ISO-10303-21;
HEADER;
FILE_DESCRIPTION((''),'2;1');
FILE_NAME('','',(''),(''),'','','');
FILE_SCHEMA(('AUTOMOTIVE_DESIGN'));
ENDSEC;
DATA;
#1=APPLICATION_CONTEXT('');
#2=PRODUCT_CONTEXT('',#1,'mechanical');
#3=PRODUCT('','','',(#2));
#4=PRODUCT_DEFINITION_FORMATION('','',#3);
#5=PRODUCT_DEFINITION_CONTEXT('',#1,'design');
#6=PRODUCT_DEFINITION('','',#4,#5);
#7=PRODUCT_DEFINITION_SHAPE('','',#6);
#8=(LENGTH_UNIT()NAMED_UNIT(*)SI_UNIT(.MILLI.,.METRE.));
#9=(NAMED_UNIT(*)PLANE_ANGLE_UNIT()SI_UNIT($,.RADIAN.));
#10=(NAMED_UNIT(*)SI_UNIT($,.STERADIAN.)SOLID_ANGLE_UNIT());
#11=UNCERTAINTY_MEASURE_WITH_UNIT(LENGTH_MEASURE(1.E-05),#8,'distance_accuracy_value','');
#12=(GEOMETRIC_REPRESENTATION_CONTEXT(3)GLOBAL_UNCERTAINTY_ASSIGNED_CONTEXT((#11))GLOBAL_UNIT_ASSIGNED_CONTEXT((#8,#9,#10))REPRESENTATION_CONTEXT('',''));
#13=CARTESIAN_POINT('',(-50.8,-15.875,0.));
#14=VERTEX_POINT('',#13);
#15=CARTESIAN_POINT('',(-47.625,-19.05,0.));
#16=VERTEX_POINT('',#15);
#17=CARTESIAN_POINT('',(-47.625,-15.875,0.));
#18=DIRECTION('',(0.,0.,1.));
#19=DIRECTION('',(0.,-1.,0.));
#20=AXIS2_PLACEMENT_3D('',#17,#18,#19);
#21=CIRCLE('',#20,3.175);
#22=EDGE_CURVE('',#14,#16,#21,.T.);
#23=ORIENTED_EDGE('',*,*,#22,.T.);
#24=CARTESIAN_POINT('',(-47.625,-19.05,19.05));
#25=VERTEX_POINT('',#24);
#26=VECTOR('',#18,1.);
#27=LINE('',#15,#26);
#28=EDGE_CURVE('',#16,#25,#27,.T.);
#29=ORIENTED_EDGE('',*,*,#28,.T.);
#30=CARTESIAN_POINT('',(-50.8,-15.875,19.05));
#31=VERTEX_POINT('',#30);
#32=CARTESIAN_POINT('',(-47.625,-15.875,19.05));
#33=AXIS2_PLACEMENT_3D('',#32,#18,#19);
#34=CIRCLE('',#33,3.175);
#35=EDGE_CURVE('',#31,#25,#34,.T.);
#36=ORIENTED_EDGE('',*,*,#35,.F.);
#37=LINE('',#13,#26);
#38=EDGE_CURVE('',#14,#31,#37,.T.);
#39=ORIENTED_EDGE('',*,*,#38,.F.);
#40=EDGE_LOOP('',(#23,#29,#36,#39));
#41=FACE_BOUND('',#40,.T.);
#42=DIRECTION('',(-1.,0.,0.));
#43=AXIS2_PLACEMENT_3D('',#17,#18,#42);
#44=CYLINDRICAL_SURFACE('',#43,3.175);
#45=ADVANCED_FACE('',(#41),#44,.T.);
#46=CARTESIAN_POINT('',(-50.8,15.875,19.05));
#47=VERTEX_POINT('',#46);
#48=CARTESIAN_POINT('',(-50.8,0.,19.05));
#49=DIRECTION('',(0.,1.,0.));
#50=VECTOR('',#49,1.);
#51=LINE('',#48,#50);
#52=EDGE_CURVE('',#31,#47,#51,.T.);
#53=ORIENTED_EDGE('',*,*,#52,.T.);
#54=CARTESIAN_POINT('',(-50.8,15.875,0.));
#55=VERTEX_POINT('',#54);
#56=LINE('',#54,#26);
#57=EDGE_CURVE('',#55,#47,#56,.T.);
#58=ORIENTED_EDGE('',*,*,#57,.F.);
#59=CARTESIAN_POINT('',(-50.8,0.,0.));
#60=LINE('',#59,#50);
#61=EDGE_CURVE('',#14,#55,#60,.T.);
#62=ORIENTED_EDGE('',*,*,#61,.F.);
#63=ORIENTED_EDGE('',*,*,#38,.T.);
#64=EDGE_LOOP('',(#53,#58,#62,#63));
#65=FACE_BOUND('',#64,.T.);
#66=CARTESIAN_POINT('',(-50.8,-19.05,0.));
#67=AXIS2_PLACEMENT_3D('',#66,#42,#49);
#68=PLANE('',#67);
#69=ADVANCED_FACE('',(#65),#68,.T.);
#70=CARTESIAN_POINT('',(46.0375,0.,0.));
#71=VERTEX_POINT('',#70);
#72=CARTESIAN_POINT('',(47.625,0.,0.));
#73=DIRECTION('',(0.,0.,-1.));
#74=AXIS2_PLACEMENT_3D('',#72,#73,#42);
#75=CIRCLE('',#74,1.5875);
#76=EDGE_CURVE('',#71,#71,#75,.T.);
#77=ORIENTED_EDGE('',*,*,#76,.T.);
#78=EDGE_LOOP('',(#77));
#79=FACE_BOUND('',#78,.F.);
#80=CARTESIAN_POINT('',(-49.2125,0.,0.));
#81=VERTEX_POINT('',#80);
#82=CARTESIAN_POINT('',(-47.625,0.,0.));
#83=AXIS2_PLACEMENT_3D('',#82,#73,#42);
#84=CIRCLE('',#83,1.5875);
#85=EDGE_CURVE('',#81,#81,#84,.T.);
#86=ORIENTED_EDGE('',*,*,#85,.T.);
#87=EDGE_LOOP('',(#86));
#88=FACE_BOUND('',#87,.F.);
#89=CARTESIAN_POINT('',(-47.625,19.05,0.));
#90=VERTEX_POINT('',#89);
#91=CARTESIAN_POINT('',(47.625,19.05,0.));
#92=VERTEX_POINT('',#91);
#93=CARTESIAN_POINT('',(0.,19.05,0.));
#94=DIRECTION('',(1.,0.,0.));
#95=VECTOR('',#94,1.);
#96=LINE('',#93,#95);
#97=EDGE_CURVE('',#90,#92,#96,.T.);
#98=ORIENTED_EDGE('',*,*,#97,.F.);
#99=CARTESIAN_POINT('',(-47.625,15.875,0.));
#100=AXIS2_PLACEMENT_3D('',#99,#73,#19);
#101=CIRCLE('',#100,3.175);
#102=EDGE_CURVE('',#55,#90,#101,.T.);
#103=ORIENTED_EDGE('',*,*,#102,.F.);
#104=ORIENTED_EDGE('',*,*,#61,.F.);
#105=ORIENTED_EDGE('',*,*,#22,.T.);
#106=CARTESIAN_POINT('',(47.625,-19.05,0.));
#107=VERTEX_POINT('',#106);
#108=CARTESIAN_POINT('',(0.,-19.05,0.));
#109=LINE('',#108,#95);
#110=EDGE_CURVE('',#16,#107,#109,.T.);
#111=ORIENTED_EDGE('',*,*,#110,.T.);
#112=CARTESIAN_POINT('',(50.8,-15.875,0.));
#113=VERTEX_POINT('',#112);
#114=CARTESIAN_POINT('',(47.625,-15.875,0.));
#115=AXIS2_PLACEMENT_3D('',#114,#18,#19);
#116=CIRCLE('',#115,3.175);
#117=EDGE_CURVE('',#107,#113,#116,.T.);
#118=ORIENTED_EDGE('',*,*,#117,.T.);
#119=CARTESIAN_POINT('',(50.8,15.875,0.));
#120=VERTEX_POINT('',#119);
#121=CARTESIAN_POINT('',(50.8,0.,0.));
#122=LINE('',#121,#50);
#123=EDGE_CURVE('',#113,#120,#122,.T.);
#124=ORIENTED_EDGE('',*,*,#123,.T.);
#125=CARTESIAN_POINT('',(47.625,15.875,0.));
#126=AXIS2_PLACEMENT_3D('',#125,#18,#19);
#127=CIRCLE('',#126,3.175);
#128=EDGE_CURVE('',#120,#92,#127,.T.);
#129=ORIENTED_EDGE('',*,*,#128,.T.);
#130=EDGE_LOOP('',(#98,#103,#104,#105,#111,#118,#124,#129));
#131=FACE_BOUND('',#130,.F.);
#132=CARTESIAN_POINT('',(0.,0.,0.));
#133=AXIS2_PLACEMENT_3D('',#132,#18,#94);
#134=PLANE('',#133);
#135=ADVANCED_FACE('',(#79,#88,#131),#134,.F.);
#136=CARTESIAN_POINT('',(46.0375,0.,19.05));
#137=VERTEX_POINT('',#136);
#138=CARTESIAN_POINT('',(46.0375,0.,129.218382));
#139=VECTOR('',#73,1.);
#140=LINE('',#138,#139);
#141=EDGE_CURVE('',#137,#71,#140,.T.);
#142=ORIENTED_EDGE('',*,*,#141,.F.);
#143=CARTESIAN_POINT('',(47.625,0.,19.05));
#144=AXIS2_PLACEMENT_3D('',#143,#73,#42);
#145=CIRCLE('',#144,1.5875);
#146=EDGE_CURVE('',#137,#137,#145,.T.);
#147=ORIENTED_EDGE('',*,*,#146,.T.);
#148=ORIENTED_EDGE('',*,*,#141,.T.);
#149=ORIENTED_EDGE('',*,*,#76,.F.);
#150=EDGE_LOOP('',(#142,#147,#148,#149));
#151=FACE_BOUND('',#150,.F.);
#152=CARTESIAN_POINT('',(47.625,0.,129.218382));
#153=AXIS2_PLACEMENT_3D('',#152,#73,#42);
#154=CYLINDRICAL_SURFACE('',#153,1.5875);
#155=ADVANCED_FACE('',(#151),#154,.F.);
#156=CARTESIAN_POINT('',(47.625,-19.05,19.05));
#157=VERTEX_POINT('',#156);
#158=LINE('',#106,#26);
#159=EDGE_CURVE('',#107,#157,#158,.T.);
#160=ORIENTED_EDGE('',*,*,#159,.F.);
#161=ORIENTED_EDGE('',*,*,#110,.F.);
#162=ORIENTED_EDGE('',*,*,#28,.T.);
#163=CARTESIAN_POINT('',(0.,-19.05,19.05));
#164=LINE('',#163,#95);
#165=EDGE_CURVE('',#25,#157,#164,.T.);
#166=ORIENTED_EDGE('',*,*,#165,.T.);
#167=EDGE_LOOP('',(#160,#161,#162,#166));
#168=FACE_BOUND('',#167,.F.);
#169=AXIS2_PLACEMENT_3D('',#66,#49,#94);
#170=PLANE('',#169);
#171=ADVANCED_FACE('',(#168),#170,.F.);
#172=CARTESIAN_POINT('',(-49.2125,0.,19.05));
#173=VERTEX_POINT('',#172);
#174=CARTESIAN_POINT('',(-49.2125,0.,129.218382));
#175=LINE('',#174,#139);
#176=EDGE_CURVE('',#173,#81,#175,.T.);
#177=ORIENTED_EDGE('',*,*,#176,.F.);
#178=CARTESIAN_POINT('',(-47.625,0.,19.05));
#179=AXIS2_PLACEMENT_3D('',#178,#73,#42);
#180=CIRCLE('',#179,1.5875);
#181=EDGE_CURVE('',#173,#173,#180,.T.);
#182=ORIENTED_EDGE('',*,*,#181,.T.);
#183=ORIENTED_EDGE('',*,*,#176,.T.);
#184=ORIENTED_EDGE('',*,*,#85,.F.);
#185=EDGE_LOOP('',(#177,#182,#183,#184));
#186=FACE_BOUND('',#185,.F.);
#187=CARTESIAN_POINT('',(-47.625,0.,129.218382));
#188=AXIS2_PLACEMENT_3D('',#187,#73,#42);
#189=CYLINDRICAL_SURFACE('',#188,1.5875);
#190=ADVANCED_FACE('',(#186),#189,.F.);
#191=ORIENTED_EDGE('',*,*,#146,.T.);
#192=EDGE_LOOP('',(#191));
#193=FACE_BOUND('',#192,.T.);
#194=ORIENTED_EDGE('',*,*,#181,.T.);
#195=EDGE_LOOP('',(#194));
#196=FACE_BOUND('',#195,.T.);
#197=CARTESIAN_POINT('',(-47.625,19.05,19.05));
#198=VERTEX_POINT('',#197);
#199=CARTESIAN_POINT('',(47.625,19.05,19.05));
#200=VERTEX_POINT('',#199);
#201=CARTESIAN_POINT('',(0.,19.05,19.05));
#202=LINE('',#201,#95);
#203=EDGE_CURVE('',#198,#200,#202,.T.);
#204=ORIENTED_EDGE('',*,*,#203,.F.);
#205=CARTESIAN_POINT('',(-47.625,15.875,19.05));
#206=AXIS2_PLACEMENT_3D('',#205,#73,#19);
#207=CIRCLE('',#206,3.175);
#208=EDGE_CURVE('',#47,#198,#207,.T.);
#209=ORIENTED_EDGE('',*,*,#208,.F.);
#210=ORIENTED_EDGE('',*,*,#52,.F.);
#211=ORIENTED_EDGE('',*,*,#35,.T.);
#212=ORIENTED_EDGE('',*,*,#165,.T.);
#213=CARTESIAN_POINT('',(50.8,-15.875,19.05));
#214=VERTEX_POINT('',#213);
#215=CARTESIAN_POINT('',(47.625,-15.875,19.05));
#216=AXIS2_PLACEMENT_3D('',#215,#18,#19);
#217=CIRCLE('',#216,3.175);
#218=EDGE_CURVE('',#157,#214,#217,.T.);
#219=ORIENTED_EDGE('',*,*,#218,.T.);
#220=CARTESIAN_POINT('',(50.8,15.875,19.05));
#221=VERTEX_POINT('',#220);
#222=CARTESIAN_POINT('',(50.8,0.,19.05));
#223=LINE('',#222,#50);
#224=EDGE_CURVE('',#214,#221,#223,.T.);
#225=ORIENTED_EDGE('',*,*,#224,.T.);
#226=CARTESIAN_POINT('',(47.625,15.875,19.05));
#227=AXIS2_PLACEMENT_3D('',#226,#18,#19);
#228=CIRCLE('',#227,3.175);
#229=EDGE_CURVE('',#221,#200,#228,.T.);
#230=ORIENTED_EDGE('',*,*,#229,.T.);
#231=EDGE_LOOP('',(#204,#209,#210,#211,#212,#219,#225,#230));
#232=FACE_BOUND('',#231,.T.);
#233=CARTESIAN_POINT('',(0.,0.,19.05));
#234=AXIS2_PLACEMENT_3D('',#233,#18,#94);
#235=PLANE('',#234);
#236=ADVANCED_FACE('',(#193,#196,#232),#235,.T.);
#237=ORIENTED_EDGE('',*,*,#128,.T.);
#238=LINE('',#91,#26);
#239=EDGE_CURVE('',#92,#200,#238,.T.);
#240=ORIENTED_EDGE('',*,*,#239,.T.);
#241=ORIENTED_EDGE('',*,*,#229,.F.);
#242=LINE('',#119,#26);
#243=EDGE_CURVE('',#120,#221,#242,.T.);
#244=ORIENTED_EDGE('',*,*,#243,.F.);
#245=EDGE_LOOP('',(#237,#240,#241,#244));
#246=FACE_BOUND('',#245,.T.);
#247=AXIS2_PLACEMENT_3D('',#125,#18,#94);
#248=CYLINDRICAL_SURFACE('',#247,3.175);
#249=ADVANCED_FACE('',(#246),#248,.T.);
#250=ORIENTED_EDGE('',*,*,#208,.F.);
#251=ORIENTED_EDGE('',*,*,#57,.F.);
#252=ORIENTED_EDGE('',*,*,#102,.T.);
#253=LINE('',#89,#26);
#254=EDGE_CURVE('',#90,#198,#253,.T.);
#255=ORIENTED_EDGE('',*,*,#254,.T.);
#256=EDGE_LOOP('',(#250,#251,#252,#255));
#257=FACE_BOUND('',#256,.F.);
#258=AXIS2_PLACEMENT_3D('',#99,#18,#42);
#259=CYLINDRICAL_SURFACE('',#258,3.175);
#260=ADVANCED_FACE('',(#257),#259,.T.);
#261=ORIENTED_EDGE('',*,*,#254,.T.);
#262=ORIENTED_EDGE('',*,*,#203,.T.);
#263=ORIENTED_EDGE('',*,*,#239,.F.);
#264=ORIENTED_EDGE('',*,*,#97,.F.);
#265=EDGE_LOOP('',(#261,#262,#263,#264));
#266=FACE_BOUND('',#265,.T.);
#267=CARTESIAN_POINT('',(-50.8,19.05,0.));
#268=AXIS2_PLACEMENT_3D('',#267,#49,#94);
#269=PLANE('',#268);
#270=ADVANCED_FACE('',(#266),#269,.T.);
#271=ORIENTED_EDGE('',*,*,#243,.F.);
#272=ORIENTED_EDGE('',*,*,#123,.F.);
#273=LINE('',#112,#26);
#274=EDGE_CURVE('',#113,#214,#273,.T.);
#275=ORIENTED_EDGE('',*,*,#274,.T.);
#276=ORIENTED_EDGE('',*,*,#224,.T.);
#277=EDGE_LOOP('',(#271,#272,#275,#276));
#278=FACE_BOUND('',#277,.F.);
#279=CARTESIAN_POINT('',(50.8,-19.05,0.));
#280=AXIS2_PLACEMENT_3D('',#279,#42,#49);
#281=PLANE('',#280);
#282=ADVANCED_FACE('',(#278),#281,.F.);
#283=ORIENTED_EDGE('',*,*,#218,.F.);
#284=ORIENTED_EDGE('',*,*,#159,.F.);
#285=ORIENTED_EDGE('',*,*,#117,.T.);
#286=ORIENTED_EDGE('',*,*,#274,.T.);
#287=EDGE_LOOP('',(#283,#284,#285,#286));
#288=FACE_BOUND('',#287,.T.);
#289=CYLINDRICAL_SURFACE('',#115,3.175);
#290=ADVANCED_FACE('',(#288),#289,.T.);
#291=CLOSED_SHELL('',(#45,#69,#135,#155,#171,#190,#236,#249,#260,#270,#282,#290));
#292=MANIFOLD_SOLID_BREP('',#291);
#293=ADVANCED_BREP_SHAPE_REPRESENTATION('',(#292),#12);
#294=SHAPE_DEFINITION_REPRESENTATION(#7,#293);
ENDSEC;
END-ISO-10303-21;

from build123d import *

# Parameters (mm, degrees)
F0_W     = 101.6
F0_H     = 38.1
F1_DEPTH = 19.05
F2_R     = 3.175
F4_D     = 3.175


with BuildPart() as f1:
    # F0 (on Top) → F1 (new body)
    with BuildSketch(Plane.XY):
        Rectangle(F0_W, F0_H)
    extrude(amount=F1_DEPTH)

    # F2
    f2_edges = [f1.edges().sort_by_distance(p)[0] for p in [
        (-50.8, 19.05, 9.525),
        (-50.8, -19.05, 9.525),
        (50.8, 19.05, 9.525),
        (50.8, -19.05, 9.525),
    ]]
    fillet(f2_edges, radius=F2_R)

    # F4 (through all)
    with Locations(Plane.XY.offset(19.05)):
        with Locations((-47.625, 0), (47.625, 0)):
            Hole(F4_D / 2)


solid = f1.part
